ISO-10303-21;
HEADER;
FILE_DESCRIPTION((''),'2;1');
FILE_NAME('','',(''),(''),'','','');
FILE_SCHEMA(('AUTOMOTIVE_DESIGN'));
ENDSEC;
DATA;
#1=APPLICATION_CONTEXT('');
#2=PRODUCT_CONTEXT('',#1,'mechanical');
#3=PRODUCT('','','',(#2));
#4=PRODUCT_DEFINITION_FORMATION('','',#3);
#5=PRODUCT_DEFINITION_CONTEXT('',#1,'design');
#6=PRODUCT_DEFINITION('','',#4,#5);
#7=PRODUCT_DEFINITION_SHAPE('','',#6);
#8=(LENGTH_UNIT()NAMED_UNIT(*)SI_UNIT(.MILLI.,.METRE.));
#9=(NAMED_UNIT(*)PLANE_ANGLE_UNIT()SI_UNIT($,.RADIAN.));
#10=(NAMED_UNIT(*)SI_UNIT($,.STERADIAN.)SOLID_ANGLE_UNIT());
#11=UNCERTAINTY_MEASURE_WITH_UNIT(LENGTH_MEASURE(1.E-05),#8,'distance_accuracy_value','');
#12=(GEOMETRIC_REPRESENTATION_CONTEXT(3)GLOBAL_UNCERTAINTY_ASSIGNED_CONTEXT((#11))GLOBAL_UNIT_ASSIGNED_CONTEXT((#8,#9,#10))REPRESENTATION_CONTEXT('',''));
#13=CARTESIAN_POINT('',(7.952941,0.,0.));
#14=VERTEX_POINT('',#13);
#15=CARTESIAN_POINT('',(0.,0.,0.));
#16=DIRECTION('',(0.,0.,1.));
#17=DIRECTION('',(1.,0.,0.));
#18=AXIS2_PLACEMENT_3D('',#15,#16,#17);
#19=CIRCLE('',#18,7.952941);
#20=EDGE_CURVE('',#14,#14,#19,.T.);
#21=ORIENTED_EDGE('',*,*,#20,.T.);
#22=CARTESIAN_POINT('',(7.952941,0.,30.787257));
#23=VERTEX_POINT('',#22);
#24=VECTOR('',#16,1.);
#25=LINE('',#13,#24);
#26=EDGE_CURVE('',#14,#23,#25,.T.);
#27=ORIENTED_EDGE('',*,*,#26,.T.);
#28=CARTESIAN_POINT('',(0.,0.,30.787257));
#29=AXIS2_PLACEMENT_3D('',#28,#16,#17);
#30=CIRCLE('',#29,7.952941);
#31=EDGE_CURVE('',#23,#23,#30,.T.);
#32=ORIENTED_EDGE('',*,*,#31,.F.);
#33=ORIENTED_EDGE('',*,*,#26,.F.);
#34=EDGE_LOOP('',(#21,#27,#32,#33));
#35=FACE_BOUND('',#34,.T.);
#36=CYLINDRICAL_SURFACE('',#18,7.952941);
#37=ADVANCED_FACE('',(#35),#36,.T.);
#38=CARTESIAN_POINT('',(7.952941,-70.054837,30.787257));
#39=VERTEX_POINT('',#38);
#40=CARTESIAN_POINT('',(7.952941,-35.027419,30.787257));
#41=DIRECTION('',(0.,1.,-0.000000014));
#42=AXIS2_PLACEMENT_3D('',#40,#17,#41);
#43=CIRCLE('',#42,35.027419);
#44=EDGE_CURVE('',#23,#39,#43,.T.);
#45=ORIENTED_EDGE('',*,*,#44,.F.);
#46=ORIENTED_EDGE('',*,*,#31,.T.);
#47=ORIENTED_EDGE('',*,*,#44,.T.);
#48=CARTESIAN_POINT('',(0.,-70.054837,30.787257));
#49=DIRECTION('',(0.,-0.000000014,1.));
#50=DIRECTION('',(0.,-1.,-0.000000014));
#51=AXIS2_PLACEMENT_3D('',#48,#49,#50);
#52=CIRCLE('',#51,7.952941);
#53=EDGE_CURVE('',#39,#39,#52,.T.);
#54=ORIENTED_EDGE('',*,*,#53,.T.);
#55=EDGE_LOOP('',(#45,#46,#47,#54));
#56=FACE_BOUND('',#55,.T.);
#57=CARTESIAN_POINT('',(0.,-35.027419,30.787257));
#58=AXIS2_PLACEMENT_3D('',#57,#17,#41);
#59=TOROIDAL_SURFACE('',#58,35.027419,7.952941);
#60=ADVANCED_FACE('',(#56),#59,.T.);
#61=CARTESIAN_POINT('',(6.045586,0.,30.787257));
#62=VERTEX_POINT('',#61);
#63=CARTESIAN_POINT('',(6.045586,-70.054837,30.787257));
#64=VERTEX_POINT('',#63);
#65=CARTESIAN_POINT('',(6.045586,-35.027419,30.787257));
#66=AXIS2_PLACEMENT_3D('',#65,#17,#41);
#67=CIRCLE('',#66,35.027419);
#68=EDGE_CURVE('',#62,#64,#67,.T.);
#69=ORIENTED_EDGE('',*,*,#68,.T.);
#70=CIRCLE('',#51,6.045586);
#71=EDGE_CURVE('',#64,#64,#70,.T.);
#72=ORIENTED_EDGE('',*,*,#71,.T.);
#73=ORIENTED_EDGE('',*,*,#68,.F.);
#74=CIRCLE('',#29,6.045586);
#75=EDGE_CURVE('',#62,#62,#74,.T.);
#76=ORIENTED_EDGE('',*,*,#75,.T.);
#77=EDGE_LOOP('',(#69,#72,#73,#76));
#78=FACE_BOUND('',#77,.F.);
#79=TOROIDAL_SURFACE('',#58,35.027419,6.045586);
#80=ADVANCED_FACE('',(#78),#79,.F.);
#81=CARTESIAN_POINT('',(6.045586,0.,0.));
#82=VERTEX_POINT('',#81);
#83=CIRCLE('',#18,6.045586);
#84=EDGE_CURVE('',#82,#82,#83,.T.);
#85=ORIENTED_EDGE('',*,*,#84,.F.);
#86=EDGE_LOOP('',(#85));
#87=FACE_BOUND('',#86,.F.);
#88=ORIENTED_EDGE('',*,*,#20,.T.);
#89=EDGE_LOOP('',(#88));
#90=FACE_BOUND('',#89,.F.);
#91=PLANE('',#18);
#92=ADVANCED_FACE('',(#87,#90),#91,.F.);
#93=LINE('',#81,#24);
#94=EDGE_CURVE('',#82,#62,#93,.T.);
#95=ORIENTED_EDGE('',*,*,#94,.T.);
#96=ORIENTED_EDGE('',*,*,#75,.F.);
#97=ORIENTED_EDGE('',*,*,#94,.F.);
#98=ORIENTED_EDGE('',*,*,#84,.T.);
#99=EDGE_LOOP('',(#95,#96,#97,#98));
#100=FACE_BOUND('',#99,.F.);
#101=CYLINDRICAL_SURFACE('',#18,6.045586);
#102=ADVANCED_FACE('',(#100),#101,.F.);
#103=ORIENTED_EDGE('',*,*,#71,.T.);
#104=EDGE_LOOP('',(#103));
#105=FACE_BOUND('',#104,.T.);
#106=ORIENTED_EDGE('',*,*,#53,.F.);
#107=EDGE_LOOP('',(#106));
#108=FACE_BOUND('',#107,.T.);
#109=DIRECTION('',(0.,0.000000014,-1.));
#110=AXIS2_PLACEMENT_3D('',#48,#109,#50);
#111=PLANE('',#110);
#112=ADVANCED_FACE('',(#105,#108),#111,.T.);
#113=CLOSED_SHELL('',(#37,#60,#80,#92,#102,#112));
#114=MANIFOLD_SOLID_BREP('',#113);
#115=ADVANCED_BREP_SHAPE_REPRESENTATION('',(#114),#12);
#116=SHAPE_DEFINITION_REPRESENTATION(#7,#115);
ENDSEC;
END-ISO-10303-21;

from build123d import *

# Parameters (mm, degrees)
F0_R = 7.952941
F3_R = 6.045586


with BuildPart() as f2:
    # F2: sweep along a path in F1
    with BuildLine(Plane.YZ) as f2_path:
        Line((0, 0), (0, 30.787257))
        ThreePointArc((0, 30.787257), (-35.027418, 65.814676), (-70.054837, 30.787257))
    # F0 (on Top) → F2 (sweep)
    with BuildSketch(Plane.XY):
        Circle(F0_R)
    sweep(path=f2_path.line)

    # F4: sweep along a path in F1
    with BuildLine(Plane.YZ) as f4_path:
        Line((0, 0), (0, 30.787257))
        ThreePointArc((0, 30.787257), (-35.027418, 65.814676), (-70.054837, 30.787257))
    # F3 (on Top) → F4 (sweep, cut)
    with BuildSketch(Plane.XY):
        Circle(F3_R)
    sweep(path=f4_path.line, mode=Mode.SUBTRACT)


solid = f2.part
